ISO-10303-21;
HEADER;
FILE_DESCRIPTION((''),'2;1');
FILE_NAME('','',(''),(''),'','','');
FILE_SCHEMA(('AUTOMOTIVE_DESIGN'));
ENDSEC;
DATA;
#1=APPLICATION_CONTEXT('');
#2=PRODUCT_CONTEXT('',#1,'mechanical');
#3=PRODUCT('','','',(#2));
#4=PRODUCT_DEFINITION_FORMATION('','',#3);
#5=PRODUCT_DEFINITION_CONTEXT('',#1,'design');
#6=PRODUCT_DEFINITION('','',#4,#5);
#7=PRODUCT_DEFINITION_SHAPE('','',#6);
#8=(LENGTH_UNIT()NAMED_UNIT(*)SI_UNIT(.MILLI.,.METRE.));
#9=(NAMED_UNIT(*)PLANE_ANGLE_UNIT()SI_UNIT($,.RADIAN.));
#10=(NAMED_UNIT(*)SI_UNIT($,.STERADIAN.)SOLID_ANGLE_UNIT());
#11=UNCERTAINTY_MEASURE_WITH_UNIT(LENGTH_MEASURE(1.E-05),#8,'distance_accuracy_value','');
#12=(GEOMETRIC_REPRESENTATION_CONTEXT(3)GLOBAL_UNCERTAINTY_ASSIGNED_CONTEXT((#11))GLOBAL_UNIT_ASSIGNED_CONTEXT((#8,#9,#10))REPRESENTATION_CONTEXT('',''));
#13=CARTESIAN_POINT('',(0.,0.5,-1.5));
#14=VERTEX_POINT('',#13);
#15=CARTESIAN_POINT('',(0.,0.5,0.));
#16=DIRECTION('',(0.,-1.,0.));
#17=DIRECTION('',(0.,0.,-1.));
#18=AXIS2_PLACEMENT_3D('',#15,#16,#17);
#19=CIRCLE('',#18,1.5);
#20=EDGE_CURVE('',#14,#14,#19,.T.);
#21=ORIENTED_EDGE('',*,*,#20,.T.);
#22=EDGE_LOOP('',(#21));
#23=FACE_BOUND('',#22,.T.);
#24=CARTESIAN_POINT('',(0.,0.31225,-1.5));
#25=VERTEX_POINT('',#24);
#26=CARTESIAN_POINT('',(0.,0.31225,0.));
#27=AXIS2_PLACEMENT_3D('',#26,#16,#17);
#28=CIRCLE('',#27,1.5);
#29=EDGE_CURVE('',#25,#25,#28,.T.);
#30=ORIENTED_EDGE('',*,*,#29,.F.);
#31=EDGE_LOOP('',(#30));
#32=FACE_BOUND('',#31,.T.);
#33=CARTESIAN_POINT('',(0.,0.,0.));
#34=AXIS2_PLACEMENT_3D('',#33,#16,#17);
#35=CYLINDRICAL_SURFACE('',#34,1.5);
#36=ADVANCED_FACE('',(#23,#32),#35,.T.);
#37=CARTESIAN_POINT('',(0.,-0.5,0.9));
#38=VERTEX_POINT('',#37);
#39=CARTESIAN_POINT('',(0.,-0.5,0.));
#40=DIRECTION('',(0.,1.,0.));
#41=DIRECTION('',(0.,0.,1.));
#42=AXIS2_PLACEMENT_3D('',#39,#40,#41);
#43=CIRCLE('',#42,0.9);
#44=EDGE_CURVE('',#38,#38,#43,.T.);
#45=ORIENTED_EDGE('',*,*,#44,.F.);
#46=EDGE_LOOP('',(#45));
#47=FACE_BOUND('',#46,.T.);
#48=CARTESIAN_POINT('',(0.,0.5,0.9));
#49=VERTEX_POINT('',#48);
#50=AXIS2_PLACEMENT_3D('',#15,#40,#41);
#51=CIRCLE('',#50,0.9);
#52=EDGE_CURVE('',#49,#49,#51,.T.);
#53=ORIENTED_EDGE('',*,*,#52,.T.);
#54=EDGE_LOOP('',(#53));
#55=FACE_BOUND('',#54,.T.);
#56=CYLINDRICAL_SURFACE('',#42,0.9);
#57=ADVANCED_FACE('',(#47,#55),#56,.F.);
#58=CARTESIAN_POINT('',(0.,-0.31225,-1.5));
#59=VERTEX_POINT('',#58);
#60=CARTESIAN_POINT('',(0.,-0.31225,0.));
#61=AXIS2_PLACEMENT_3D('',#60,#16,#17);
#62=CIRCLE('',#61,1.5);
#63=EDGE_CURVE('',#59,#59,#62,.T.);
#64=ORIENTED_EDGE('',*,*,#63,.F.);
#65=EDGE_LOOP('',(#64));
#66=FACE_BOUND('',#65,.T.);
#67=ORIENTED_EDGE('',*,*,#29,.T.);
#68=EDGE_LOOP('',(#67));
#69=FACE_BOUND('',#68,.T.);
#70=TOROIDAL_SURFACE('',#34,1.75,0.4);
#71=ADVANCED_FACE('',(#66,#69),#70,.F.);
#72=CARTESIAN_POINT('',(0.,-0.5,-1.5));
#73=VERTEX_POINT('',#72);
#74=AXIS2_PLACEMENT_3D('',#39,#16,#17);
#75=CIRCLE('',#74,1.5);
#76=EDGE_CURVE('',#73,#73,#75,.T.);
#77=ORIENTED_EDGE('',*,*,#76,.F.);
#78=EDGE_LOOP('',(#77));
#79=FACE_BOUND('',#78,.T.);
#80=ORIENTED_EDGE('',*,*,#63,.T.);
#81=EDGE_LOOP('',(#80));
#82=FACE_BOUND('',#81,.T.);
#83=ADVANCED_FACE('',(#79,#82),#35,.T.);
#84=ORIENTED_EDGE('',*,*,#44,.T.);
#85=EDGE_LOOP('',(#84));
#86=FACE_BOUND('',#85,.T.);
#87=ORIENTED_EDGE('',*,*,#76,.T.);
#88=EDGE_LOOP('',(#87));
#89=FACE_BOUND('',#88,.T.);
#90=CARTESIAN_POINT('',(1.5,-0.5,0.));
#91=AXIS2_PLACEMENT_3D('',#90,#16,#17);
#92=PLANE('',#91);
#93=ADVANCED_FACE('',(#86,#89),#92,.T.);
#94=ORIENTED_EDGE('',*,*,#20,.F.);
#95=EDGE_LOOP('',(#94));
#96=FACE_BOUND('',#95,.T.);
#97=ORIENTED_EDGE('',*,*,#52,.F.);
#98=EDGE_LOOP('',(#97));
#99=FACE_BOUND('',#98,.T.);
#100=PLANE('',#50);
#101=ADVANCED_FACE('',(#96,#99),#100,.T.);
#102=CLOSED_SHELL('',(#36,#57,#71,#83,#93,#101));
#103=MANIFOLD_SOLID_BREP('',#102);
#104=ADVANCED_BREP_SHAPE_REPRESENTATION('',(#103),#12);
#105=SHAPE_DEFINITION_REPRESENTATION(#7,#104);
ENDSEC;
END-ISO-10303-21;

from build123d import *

# Parameters (mm, degrees)
IZIM2_R               = 0.9
KES_EKSTR_ZYON1_DEPTH = 1


with BuildPart() as part:
    # Çizim1 → Döndür1 (revolve)
    with BuildSketch(Plane.XY):
        with BuildLine():
            Line((0, 0), (0, 0.5))
            Line((0, 0.5), (1.5, 0.5))
            Line((1.5, 0.5), (1.5, 0.3122499))
            ThreePointArc((1.5, 0.3122499), (1.35, 0), (1.5, -0.3122499))
            Line((1.5, -0.3122499), (1.5, -0.5))
            Line((1.5, -0.5), (0, -0.5))
            Line((0, -0.5), (0, 0))
        make_face()
    revolve(axis=Axis((0, 0, 0), (0, 1, 0)))

    # Çizim2 → Kes-Ekstrüzyon1 (cut)
    with BuildSketch(Plane(origin=(0, 0.5, 0), x_dir=(1, 0, 0), z_dir=(0, 1, 0))):
        Circle(IZIM2_R)
    extrude(amount=-KES_EKSTR_ZYON1_DEPTH, mode=Mode.SUBTRACT)


solid = part.part
